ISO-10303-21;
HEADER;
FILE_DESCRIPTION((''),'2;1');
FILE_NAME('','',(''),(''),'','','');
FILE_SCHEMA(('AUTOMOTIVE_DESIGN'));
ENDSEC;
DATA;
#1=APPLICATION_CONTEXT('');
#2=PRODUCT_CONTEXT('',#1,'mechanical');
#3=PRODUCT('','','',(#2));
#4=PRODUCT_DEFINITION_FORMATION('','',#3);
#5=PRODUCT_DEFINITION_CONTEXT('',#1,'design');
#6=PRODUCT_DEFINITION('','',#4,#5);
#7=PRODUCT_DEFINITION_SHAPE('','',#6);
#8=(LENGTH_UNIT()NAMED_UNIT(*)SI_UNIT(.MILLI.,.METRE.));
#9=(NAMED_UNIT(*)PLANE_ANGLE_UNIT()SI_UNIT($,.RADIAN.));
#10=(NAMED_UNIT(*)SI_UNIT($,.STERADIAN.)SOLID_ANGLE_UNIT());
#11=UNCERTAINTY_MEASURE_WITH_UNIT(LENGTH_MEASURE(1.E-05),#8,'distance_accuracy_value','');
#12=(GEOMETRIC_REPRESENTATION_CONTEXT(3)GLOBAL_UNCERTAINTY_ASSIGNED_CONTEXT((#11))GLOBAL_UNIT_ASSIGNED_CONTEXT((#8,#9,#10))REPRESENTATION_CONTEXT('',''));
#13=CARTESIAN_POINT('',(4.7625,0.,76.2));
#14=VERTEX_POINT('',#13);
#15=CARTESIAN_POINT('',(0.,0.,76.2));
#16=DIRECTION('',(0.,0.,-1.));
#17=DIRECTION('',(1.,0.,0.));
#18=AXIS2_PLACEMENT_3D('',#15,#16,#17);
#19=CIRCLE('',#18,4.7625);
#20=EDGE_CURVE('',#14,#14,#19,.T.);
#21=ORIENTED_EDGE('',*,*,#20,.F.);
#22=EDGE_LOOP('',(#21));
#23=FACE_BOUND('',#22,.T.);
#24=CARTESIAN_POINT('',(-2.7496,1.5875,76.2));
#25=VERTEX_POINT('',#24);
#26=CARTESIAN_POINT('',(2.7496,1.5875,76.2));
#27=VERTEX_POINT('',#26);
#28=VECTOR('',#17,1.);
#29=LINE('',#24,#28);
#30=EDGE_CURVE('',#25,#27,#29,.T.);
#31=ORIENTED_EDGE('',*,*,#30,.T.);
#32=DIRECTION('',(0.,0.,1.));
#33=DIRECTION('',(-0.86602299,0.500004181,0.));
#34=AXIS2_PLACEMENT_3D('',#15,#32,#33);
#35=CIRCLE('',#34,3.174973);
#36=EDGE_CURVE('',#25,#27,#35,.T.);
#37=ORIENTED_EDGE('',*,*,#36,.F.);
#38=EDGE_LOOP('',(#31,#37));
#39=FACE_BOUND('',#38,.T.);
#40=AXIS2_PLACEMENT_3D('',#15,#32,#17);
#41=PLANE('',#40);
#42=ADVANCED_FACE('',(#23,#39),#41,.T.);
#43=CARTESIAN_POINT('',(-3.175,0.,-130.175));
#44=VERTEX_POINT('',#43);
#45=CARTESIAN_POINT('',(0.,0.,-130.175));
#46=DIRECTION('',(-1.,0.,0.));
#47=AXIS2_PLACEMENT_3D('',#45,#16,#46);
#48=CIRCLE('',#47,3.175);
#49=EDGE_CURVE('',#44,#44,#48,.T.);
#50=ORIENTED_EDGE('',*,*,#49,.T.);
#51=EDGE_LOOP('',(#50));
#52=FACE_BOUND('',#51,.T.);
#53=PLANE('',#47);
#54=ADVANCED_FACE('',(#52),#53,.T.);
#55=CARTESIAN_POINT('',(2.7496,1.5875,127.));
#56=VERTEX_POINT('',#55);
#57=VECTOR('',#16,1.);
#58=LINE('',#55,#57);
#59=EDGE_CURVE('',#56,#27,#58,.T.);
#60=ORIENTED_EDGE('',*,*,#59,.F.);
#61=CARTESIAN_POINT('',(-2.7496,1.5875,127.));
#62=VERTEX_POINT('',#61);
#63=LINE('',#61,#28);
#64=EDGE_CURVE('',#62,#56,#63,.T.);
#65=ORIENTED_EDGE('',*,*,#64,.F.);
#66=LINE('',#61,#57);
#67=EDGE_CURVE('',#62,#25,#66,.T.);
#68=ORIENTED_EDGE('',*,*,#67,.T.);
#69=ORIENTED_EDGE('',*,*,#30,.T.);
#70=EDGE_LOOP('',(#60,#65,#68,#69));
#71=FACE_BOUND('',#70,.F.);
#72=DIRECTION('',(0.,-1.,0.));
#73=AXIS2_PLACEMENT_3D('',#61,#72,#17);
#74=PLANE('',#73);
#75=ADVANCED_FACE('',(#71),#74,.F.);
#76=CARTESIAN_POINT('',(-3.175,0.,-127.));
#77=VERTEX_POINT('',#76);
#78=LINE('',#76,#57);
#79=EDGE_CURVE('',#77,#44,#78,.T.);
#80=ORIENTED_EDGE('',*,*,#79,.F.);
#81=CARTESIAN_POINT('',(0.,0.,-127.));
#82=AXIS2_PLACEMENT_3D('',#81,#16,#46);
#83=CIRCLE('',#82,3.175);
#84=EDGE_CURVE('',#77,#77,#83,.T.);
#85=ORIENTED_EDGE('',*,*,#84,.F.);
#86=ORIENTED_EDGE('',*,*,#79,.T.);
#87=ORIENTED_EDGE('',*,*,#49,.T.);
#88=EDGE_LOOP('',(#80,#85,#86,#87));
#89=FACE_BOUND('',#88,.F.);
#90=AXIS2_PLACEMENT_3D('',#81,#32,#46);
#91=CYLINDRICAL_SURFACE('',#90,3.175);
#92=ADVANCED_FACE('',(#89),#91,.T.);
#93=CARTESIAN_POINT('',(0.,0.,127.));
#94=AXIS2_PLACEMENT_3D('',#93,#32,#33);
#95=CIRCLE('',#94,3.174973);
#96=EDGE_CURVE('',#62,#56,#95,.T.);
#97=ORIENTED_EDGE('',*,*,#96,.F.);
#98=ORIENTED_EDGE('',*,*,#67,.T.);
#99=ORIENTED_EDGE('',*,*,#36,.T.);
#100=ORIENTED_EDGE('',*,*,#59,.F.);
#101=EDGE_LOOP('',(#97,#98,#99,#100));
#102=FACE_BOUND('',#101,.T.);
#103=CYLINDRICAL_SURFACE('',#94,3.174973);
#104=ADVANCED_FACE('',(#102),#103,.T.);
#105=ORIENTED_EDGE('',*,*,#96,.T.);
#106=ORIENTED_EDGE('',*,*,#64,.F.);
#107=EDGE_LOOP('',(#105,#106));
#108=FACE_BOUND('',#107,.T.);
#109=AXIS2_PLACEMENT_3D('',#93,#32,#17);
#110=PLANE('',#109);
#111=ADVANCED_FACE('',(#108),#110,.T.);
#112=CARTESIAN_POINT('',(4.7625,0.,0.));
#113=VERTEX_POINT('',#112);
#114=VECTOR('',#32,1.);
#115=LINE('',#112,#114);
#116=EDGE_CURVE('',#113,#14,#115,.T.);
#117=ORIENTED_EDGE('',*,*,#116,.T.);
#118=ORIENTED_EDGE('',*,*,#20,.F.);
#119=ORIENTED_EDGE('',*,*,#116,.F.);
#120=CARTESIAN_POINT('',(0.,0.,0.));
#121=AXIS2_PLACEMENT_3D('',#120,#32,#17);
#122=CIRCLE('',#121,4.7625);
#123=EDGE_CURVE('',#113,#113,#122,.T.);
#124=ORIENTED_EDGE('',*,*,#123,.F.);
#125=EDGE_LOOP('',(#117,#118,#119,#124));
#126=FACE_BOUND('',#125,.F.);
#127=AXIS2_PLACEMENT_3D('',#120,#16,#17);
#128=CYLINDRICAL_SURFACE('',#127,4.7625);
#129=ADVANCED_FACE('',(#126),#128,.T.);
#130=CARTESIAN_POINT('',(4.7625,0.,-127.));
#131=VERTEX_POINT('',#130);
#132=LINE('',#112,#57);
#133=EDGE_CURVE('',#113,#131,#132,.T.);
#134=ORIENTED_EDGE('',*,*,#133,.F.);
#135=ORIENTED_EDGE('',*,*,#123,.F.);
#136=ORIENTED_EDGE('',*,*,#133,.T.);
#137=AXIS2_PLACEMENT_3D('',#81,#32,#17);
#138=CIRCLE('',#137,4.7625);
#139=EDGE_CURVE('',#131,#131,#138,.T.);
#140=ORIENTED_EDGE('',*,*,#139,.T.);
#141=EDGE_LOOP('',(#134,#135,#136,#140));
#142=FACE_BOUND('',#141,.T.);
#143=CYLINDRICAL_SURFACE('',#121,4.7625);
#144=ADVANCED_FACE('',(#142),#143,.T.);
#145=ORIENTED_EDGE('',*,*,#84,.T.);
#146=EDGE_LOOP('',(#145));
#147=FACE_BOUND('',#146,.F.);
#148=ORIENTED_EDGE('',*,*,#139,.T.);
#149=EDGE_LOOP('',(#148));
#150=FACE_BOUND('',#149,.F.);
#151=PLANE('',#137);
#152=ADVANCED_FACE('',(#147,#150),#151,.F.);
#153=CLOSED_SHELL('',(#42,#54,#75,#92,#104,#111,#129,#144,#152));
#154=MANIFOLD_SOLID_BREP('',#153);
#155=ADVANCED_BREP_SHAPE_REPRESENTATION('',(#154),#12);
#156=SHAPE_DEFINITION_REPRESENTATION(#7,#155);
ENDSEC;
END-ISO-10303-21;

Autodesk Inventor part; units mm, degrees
ref_plane "YZ Plane" through (0, 0, 0) normal (1, 0, 0) x (0, 1, 0)
ref_plane "XZ Plane" through (0, 0, 0) normal (0, 1, 0) x (-1, 0, 0)
ref_plane "XY Plane" through (0, 0, 0) normal (0, 0, 1) x (1, 0, 0)
sketch "Sketch1" plane through (0, 0, 0) normal (0, 0, 1) x (1, 0, 0)
  circle A0 centre (0, 0) radius 4.7625
  dimension "d0" = 9.525
extrude "Extrusion1" add sketch "Sketch1" along normal mid plane 254
thread "Thread1" size "3/8-16 UNC" class "2A" standard "ANSI Unified Screw Threads" full length
sketch "Sketch2" plane through (0, 0, 127) normal (0, 0, 1) x (1, 0, 0)
  arc A0 (-2.7496, 1.5875) -> (2.7496, 1.5875) centre (0, 0) ccw
  line L0 (-2.7496, 1.5875) -> (2.7496, 1.5875)
  circle A1 centre (0, 0) radius 8.1081
  dimension "d5" = 6.35
  dimension "d6" = 1.5875
extrude "Extrusion2" cut sketch "Sketch2" against normal blind 50.8
sketch "Sketch4" plane through (0, 0, -127) normal (0, 0, -1) x (-1, 0, 0)
  circle A0 centre (0, 0) radius 3.175
  dimension "d16" = 6.35
extrude "Extrusion3" add sketch "Sketch4" along normal blind 3.175
